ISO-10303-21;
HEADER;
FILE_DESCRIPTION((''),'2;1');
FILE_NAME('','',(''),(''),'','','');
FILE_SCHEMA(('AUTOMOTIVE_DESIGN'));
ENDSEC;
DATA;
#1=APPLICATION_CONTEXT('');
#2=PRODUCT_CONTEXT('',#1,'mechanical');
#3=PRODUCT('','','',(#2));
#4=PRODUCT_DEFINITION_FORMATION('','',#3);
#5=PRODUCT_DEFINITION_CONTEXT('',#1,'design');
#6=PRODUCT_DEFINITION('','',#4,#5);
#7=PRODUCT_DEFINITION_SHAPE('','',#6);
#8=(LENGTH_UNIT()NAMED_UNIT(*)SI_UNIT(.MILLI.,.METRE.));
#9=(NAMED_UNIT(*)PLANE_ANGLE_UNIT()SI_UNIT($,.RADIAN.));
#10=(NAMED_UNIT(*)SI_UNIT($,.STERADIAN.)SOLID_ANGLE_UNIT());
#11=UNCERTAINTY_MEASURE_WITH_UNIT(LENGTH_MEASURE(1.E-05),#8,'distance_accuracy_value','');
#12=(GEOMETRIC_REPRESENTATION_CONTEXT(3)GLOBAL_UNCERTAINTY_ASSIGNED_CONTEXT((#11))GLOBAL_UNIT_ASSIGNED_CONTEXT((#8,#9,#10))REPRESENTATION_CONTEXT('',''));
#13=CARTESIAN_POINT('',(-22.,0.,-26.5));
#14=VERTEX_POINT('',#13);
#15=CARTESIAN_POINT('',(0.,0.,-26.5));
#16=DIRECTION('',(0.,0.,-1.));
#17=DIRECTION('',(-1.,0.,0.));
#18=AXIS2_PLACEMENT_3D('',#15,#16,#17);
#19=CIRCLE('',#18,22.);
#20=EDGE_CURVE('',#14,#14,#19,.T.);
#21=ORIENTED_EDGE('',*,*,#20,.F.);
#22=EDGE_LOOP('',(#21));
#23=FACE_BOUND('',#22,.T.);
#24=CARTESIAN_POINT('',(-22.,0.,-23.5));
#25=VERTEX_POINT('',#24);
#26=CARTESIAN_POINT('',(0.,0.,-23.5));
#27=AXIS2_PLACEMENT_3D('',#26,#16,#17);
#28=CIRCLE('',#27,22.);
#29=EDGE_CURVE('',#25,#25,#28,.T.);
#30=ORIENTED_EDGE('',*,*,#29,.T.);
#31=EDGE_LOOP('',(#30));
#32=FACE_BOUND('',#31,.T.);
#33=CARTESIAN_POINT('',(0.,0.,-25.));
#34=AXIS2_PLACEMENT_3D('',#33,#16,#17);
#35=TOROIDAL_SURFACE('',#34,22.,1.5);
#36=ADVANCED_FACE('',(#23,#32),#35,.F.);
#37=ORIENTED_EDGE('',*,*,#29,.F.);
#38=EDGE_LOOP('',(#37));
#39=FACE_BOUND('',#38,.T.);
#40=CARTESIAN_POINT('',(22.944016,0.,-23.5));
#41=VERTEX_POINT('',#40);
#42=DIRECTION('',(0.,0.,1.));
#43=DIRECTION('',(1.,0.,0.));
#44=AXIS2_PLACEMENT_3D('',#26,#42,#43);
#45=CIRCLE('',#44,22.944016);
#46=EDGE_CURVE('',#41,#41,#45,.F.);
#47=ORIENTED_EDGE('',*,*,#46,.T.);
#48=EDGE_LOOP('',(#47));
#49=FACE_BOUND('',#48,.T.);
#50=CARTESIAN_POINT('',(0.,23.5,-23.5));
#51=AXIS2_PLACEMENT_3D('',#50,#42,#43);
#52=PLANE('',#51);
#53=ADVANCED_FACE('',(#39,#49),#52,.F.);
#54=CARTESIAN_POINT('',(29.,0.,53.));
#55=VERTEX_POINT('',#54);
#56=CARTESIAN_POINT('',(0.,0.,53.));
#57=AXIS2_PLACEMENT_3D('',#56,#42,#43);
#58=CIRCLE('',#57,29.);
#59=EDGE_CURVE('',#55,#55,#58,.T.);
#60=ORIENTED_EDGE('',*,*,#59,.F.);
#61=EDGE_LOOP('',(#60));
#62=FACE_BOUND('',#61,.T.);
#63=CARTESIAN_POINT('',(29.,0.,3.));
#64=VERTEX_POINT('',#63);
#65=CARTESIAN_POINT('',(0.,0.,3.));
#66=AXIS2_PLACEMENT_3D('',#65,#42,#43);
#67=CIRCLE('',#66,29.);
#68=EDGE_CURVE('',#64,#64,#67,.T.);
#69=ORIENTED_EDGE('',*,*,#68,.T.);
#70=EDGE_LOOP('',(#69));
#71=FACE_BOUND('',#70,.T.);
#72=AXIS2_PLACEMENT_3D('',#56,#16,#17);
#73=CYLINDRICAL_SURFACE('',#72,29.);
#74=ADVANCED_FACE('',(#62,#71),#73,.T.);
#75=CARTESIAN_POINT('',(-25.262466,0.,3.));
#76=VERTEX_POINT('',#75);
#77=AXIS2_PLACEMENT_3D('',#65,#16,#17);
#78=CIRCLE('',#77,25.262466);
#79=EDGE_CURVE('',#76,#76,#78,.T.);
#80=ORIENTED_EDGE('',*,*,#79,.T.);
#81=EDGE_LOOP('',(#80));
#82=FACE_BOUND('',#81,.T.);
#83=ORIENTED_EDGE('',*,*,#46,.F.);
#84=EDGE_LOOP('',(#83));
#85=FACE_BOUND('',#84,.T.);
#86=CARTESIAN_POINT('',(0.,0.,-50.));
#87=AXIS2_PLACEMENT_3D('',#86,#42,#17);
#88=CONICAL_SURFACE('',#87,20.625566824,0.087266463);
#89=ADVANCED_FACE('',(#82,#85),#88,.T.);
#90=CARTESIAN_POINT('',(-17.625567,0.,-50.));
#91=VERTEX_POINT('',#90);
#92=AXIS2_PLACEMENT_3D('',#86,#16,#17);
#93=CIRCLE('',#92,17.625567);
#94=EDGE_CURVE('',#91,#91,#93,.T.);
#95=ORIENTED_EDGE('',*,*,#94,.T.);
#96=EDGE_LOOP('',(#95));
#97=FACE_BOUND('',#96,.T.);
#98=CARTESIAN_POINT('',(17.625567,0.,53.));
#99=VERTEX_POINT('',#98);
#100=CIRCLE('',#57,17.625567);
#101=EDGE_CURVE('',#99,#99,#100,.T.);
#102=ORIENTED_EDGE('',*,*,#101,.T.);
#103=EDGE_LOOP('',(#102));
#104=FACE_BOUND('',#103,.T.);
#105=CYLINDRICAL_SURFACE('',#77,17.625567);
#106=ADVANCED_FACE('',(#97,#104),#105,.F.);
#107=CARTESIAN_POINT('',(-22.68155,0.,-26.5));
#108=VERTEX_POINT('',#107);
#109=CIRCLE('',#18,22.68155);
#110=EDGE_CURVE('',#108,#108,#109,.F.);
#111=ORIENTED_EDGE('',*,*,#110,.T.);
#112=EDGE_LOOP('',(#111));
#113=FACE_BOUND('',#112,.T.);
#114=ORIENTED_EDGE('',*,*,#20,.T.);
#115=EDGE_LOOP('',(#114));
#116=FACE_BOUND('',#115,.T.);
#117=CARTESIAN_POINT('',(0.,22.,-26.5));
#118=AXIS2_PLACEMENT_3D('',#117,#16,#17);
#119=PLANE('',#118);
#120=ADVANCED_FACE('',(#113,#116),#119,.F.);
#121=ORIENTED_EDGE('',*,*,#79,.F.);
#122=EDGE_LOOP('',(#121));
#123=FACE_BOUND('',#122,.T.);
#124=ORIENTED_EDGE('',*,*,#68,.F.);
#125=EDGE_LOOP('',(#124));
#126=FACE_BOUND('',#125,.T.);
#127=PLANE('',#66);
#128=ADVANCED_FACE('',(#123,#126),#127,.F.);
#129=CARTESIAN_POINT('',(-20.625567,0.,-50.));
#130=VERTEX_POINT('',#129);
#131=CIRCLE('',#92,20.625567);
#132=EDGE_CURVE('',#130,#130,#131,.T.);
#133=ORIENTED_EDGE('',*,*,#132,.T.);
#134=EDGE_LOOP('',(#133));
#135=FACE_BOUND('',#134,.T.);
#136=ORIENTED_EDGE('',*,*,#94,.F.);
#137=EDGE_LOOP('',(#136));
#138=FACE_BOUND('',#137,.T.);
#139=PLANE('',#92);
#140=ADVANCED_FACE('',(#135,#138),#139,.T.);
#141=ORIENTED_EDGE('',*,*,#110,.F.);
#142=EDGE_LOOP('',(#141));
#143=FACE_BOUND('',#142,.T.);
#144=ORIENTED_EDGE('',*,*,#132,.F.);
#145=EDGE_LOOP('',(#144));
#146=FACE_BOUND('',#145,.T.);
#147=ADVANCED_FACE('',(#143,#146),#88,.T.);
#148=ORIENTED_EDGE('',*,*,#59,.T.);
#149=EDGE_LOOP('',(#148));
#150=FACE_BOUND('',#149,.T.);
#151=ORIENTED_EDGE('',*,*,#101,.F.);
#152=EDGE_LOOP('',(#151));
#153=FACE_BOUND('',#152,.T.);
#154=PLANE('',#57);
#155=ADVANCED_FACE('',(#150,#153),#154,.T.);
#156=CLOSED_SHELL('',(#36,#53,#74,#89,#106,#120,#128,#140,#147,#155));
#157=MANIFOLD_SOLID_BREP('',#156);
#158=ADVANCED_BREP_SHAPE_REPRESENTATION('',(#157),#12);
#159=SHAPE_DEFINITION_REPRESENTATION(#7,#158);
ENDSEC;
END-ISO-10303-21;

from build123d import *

# Parameters (mm, degrees)
SKETCH1_R           = 20.625566824
BOSS_EXTRUDE1_DEPTH = 53
BOSS_EXTRUDE1_DRAFT = 5
SKETCH2_R           = 17.625566824
CUT_EXTRUDE1_DEPTH  = 64.917011631
SKETCH_4_R          = 29
SKETCH_4_R_2        = 17.625566824
EXTRUDE_1_DEPTH     = 50


with BuildPart() as part:
    # Sketch1 → Boss-Extrude1 (with draft: the straight prism first)
    with BuildSketch(Plane(origin=(0, 0, -50), x_dir=(-1, 0, 0), z_dir=(0, 0, -1))):
        Circle(SKETCH1_R)
    extrude(amount=-BOSS_EXTRUDE1_DEPTH)
    # Boss-Extrude1: the draft: its side faces are tilted about the plane it starts from
    boss_extrude1_sides = [part.faces().sort_by_distance(p)[0] for p in [
        (20.625566824, 0, -23.5),
    ]]
    draft(boss_extrude1_sides, Plane(origin=(0, 0, -50), x_dir=(-1, 0, 0), z_dir=(0, 0, -1)), BOSS_EXTRUDE1_DRAFT)

    # Sketch2 → Cut-Extrude1 (cut, through all)
    with BuildSketch(Plane(origin=(0, 0, -50), x_dir=(-1, 0, 0), z_dir=(0, 0, -1))):
        Circle(SKETCH2_R)
    extrude(amount=-CUT_EXTRUDE1_DEPTH, mode=Mode.SUBTRACT)

    # Эскиз1 → Вырез-Повернуть1 (revolve, cut)
    with BuildSketch(Plane(origin=(0, 0, 0), x_dir=(0, 0, -1), z_dir=(1, 0, 0)), mode=Mode.PRIVATE) as cut_revolve_1_sk:
        with BuildLine():
            Line((26.5, 22), (26.5, 23.5))
            Line((26.5, 23.5), (23.5, 23.5))
            Line((23.5, 23.5), (23.5, 22))
            ThreePointArc((23.5, 22), (25, 20.5), (26.5, 22))
        make_face()
    revolve(cut_revolve_1_sk.sketch.rotate(Axis((0, 0, -8.98762519), (0, 0, 1)), 90), axis=Axis((0, 0, -8.98762519), (0, 0, 1)), mode=Mode.SUBTRACT)

    # Эскиз4 → Бобышка-Вытянуть1 (add)
    with BuildSketch(Plane.XY.offset(3)):
        Circle(SKETCH_4_R)
        with Locations(Location((0, 0, 0), (0, 0, 180))):
            Circle(SKETCH_4_R_2, mode=Mode.SUBTRACT)
    extrude(amount=EXTRUDE_1_DEPTH)


solid = part.part
